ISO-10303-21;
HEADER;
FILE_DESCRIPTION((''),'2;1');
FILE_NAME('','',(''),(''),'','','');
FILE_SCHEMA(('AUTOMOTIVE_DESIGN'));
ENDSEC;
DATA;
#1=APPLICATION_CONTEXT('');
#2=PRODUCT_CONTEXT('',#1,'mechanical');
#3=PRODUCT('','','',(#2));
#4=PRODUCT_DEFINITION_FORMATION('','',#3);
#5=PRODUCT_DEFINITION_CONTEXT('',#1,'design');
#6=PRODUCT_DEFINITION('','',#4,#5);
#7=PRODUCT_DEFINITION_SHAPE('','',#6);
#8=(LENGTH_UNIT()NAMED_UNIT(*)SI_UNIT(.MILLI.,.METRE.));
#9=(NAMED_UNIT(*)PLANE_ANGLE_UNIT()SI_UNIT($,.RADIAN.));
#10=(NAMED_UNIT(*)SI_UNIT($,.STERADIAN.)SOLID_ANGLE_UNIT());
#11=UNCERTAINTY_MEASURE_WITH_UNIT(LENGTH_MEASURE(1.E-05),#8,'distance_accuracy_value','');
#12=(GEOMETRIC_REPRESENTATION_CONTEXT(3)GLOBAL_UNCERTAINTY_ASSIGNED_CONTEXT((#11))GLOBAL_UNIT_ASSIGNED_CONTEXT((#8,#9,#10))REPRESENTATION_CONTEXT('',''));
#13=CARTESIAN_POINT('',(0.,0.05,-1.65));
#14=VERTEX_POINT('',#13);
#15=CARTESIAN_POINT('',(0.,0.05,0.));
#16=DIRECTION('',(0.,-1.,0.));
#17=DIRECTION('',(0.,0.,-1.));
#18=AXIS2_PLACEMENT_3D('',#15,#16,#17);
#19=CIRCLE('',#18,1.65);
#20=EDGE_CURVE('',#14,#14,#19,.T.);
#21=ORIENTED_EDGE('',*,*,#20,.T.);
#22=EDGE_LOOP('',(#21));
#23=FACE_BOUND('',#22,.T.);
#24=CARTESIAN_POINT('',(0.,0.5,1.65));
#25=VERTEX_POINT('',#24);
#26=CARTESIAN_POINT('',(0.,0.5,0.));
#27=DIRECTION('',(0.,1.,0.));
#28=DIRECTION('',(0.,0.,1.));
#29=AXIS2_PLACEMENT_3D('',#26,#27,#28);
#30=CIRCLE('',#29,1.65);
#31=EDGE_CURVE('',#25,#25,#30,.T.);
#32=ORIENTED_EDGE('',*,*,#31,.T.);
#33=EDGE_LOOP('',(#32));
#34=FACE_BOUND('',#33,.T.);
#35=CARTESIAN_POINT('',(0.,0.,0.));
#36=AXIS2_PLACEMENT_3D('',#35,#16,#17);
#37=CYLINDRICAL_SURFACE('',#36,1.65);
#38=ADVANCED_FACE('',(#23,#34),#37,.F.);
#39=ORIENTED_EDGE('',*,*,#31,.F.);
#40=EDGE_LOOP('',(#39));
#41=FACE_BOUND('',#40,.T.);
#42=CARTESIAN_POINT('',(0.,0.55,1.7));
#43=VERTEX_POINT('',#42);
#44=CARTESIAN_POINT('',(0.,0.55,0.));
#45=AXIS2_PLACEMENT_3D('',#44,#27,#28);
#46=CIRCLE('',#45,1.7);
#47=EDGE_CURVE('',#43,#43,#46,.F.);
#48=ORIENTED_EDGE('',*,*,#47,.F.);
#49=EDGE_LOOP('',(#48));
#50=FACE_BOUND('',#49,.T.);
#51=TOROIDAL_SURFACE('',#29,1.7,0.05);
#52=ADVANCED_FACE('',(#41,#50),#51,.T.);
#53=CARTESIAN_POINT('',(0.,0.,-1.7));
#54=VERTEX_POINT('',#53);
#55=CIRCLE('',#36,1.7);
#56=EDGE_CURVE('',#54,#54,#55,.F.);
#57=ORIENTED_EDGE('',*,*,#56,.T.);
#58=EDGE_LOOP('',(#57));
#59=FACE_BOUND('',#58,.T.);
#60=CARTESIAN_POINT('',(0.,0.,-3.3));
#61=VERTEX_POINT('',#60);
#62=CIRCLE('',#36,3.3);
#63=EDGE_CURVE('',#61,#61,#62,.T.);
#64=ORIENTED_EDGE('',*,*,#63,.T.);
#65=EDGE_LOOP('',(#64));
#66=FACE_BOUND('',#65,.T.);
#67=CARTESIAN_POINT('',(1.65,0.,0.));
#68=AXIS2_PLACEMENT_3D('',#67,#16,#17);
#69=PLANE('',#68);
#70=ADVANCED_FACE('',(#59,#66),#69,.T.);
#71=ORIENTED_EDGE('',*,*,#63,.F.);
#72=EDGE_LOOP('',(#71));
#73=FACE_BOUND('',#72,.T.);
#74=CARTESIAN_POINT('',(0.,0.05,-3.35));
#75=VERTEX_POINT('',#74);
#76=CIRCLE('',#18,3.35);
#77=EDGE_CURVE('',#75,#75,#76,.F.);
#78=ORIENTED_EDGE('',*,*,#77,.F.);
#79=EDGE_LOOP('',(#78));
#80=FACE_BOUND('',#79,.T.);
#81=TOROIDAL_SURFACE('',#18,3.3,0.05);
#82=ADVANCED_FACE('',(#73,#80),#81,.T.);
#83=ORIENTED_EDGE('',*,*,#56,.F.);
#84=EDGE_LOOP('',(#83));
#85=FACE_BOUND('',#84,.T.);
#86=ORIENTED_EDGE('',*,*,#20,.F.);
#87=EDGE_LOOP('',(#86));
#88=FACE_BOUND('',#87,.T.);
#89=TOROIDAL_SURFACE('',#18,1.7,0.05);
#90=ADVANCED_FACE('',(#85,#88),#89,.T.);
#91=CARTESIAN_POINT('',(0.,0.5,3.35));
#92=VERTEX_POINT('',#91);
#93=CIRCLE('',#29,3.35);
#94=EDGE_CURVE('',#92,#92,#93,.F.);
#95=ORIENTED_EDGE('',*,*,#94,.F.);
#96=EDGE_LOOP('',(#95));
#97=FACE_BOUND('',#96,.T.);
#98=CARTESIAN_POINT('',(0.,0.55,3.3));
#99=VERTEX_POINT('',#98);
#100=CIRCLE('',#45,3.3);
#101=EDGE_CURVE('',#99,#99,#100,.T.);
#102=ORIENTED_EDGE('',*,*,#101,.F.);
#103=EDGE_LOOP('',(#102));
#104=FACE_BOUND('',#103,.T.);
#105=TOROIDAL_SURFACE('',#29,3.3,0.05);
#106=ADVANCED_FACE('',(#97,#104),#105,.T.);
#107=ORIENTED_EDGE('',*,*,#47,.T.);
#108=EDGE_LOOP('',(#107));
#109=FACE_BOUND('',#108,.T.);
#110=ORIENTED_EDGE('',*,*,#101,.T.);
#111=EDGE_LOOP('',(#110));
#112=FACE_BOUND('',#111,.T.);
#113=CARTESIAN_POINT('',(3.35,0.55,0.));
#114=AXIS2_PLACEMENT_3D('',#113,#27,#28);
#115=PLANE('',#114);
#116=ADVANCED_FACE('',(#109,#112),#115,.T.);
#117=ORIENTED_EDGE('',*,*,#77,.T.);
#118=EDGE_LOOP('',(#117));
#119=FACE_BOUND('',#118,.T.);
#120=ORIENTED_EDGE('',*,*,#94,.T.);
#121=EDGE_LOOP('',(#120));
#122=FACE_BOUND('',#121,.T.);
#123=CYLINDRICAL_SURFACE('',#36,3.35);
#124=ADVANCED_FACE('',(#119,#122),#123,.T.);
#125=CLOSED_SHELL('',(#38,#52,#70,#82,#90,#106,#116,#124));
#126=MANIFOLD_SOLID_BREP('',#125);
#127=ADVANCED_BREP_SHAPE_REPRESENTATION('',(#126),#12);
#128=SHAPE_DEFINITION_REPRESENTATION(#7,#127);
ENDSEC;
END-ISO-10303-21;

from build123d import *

# Parameters (mm, degrees)
SKETCH1_W = 1.7
SKETCH1_H = 0.55
FILLET1_R = 0.05


with BuildPart() as part:
    # Sketch1 → Revolve1 (revolve)
    with BuildSketch(Plane.XY, mode=Mode.PRIVATE) as revolve1_sk:
        with Locations((2.5, 0.275)):
            Rectangle(SKETCH1_W, SKETCH1_H)
    revolve(revolve1_sk.sketch.rotate(Axis((0, 0, 0), (0, 1, 0)), 90), axis=Axis((0, 0, 0), (0, 1, 0)))

    # Fillet1
    fillet1_edges = [part.edges().sort_by_distance(p)[0] for p in [
        (0, 0.55, 1.65),
        (0, 0.55, 3.35),
        (0, 0, 3.35),
        (0, 0, 1.65),
    ]]
    fillet(fillet1_edges, radius=FILLET1_R)


solid = part.part
